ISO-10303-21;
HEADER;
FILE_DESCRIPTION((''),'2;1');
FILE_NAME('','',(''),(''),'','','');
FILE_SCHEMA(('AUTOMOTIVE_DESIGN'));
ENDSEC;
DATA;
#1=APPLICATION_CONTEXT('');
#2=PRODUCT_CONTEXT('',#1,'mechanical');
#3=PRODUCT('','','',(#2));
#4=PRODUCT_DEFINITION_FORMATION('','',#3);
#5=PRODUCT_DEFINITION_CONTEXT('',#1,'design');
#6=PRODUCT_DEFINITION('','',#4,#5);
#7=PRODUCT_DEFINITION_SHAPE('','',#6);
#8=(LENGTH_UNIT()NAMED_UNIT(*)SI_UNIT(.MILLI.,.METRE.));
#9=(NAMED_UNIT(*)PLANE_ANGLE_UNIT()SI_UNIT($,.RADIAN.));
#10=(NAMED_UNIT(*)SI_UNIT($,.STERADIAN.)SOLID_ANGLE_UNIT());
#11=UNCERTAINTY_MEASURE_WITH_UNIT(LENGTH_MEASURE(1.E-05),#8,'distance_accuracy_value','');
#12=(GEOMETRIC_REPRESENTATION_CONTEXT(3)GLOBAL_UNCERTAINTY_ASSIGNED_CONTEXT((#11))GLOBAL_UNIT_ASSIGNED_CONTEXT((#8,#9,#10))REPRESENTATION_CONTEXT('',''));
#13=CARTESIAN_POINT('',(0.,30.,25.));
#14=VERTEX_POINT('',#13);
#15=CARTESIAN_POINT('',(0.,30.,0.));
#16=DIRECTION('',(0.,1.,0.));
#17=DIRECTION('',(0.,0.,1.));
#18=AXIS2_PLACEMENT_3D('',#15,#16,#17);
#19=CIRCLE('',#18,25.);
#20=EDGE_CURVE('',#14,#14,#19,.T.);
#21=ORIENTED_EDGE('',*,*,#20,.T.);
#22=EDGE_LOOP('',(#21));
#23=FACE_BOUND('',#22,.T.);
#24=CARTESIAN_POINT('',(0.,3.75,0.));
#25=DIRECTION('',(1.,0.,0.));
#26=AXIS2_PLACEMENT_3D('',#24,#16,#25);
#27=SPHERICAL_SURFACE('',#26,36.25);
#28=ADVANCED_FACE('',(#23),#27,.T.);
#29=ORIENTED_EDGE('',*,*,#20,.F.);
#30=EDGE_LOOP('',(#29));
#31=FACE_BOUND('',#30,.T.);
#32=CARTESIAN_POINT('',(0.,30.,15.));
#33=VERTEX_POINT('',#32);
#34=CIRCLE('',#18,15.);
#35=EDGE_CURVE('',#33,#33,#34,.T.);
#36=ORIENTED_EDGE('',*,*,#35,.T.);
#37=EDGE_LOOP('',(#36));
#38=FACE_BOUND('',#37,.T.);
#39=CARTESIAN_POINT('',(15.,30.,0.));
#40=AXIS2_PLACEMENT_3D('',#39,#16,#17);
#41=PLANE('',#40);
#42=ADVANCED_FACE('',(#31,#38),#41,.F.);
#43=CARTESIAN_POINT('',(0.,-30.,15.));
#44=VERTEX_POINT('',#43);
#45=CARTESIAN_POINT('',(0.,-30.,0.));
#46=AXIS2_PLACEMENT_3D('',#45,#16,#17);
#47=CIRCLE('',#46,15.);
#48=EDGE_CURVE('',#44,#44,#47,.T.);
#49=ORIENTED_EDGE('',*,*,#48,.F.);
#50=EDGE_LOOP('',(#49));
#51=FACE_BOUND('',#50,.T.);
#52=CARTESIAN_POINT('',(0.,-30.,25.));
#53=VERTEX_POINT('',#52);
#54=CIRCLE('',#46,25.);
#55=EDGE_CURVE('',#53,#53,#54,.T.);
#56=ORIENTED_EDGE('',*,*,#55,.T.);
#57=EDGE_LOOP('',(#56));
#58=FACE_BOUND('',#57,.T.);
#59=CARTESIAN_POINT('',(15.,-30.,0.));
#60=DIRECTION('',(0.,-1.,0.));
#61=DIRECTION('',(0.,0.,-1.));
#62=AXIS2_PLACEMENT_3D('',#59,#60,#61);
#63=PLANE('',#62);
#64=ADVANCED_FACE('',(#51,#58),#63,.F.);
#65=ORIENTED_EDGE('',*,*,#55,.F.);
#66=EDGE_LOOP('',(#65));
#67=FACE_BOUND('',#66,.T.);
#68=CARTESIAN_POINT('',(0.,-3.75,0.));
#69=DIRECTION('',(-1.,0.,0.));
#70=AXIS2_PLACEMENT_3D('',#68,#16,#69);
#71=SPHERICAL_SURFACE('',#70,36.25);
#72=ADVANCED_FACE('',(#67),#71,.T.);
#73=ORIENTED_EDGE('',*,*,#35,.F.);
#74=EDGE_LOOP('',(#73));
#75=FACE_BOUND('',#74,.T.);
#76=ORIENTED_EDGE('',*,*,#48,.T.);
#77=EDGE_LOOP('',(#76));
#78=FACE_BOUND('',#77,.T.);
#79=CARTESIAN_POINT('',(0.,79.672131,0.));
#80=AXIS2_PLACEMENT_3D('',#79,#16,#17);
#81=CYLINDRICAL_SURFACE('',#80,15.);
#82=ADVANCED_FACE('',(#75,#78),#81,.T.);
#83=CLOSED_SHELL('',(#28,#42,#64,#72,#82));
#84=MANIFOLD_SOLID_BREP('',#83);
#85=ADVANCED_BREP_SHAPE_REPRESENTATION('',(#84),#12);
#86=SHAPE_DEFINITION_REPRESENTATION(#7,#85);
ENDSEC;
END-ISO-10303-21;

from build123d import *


with BuildPart() as part:
    # Эскиз1 → Повернуть1 (revolve)
    with BuildSketch(Plane.XY):
        with BuildLine():
            Line((15, -30), (15, 30))
            Line((15, 30), (25, 30))
            ThreePointArc((25, 30), (13.462912018, 37.407280045), (0, 40))
            Line((0, 40), (0, -40))
            ThreePointArc((0, -40), (13.462912018, -37.407280045), (25, -30))
            Line((25, -30), (15, -30))
        make_face()
    revolve(axis=Axis((0, 79.672131148, 0), (0, -1, 0)))


solid = part.part
